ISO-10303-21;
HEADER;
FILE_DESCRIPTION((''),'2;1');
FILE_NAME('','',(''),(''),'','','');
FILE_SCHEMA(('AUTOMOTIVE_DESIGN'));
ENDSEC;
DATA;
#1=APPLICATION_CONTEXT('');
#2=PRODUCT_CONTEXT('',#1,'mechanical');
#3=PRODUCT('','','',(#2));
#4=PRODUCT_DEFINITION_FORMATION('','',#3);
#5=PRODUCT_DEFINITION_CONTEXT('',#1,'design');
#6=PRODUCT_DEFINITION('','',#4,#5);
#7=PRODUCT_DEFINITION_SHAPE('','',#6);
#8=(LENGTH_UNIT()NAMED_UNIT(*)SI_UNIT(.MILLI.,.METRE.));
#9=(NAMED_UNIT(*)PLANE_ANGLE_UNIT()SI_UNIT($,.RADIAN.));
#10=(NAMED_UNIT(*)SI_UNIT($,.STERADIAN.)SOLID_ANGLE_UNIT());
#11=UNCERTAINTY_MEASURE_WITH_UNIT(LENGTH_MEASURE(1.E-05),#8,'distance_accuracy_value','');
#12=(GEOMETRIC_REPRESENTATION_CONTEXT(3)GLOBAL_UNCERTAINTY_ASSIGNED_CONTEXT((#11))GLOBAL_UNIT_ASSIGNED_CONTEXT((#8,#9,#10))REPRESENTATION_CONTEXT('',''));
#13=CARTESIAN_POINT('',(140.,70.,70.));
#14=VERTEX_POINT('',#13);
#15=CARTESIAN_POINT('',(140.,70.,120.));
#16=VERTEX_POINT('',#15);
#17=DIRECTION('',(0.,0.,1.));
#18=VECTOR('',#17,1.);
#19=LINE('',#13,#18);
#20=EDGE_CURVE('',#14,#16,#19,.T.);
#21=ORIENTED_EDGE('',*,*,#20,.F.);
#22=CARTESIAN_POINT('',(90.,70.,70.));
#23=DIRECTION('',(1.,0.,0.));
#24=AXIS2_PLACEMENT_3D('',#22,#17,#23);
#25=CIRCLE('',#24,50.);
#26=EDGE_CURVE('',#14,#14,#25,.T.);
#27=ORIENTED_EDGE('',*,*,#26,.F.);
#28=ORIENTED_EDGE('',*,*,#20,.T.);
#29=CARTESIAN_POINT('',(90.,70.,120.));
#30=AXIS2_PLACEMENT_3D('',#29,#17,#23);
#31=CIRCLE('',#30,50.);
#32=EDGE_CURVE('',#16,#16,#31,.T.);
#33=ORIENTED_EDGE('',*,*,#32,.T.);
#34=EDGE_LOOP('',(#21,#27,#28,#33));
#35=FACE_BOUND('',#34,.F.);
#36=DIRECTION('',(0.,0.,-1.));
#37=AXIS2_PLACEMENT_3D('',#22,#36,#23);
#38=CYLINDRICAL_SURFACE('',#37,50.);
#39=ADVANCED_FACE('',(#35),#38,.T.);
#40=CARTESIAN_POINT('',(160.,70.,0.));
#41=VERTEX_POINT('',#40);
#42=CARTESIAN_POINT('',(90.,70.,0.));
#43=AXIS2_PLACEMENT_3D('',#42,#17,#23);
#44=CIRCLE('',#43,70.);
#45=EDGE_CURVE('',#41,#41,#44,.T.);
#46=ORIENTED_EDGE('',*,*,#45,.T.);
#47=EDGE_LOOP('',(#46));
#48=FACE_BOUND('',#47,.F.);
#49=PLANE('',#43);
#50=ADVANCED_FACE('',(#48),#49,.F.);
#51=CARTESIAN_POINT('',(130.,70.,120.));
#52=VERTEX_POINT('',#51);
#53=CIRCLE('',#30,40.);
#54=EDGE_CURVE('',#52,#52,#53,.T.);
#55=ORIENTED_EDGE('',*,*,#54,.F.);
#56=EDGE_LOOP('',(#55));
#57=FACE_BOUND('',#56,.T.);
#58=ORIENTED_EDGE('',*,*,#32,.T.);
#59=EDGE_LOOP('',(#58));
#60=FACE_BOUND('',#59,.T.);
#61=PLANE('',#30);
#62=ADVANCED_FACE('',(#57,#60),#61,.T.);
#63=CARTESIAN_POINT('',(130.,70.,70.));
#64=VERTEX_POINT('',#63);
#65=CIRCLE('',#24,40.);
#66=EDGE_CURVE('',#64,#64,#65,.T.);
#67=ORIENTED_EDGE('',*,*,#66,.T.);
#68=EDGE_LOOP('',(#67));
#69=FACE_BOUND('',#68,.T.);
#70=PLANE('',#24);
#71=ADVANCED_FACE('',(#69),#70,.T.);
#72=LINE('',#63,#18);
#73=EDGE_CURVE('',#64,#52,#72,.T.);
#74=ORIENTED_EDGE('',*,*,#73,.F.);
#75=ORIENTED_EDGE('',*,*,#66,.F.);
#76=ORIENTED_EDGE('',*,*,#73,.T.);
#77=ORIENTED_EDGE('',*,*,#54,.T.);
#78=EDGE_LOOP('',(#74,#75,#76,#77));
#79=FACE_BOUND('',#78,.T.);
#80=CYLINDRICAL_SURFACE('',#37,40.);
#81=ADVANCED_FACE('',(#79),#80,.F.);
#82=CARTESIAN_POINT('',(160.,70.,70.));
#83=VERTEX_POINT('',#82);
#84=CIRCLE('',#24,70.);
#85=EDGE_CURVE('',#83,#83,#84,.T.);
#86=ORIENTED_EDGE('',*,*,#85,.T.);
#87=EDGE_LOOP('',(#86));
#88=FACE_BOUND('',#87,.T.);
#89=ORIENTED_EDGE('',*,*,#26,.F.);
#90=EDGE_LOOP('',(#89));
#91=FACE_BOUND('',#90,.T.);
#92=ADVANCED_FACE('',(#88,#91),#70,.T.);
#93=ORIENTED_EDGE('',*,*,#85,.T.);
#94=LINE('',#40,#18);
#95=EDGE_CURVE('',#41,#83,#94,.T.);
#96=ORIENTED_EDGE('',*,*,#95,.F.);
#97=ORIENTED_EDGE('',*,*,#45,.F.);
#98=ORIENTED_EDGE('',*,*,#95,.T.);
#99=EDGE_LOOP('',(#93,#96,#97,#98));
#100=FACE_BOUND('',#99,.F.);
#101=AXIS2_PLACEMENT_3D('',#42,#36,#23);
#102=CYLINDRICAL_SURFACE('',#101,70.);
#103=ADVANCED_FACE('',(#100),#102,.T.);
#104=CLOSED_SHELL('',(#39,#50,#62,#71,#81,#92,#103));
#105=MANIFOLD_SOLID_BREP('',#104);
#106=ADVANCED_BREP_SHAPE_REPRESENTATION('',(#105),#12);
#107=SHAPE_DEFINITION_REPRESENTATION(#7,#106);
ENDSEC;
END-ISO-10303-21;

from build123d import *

# Parameters (mm, degrees)
SKETCH_R      = 70
PAD_DEPTH     = 70
SKETCH001_R   = 50
SKETCH001_R_2 = 40
PAD001_DEPTH  = 50


with BuildPart() as part:
    # Sketch → Pad (new body)
    with BuildSketch(Plane.XY):
        with Locations((90, 70)):
            Circle(SKETCH_R)
    extrude(amount=PAD_DEPTH)

    # Sketch001 (on Face3 of Pad) → Pad001 (join)
    with BuildSketch(Plane.XY.offset(70)):
        with Locations((90, 70)):
            Circle(SKETCH001_R)
        with Locations((90, 70)):
            Circle(SKETCH001_R_2, mode=Mode.SUBTRACT)
    extrude(amount=PAD001_DEPTH)


solid = part.part
